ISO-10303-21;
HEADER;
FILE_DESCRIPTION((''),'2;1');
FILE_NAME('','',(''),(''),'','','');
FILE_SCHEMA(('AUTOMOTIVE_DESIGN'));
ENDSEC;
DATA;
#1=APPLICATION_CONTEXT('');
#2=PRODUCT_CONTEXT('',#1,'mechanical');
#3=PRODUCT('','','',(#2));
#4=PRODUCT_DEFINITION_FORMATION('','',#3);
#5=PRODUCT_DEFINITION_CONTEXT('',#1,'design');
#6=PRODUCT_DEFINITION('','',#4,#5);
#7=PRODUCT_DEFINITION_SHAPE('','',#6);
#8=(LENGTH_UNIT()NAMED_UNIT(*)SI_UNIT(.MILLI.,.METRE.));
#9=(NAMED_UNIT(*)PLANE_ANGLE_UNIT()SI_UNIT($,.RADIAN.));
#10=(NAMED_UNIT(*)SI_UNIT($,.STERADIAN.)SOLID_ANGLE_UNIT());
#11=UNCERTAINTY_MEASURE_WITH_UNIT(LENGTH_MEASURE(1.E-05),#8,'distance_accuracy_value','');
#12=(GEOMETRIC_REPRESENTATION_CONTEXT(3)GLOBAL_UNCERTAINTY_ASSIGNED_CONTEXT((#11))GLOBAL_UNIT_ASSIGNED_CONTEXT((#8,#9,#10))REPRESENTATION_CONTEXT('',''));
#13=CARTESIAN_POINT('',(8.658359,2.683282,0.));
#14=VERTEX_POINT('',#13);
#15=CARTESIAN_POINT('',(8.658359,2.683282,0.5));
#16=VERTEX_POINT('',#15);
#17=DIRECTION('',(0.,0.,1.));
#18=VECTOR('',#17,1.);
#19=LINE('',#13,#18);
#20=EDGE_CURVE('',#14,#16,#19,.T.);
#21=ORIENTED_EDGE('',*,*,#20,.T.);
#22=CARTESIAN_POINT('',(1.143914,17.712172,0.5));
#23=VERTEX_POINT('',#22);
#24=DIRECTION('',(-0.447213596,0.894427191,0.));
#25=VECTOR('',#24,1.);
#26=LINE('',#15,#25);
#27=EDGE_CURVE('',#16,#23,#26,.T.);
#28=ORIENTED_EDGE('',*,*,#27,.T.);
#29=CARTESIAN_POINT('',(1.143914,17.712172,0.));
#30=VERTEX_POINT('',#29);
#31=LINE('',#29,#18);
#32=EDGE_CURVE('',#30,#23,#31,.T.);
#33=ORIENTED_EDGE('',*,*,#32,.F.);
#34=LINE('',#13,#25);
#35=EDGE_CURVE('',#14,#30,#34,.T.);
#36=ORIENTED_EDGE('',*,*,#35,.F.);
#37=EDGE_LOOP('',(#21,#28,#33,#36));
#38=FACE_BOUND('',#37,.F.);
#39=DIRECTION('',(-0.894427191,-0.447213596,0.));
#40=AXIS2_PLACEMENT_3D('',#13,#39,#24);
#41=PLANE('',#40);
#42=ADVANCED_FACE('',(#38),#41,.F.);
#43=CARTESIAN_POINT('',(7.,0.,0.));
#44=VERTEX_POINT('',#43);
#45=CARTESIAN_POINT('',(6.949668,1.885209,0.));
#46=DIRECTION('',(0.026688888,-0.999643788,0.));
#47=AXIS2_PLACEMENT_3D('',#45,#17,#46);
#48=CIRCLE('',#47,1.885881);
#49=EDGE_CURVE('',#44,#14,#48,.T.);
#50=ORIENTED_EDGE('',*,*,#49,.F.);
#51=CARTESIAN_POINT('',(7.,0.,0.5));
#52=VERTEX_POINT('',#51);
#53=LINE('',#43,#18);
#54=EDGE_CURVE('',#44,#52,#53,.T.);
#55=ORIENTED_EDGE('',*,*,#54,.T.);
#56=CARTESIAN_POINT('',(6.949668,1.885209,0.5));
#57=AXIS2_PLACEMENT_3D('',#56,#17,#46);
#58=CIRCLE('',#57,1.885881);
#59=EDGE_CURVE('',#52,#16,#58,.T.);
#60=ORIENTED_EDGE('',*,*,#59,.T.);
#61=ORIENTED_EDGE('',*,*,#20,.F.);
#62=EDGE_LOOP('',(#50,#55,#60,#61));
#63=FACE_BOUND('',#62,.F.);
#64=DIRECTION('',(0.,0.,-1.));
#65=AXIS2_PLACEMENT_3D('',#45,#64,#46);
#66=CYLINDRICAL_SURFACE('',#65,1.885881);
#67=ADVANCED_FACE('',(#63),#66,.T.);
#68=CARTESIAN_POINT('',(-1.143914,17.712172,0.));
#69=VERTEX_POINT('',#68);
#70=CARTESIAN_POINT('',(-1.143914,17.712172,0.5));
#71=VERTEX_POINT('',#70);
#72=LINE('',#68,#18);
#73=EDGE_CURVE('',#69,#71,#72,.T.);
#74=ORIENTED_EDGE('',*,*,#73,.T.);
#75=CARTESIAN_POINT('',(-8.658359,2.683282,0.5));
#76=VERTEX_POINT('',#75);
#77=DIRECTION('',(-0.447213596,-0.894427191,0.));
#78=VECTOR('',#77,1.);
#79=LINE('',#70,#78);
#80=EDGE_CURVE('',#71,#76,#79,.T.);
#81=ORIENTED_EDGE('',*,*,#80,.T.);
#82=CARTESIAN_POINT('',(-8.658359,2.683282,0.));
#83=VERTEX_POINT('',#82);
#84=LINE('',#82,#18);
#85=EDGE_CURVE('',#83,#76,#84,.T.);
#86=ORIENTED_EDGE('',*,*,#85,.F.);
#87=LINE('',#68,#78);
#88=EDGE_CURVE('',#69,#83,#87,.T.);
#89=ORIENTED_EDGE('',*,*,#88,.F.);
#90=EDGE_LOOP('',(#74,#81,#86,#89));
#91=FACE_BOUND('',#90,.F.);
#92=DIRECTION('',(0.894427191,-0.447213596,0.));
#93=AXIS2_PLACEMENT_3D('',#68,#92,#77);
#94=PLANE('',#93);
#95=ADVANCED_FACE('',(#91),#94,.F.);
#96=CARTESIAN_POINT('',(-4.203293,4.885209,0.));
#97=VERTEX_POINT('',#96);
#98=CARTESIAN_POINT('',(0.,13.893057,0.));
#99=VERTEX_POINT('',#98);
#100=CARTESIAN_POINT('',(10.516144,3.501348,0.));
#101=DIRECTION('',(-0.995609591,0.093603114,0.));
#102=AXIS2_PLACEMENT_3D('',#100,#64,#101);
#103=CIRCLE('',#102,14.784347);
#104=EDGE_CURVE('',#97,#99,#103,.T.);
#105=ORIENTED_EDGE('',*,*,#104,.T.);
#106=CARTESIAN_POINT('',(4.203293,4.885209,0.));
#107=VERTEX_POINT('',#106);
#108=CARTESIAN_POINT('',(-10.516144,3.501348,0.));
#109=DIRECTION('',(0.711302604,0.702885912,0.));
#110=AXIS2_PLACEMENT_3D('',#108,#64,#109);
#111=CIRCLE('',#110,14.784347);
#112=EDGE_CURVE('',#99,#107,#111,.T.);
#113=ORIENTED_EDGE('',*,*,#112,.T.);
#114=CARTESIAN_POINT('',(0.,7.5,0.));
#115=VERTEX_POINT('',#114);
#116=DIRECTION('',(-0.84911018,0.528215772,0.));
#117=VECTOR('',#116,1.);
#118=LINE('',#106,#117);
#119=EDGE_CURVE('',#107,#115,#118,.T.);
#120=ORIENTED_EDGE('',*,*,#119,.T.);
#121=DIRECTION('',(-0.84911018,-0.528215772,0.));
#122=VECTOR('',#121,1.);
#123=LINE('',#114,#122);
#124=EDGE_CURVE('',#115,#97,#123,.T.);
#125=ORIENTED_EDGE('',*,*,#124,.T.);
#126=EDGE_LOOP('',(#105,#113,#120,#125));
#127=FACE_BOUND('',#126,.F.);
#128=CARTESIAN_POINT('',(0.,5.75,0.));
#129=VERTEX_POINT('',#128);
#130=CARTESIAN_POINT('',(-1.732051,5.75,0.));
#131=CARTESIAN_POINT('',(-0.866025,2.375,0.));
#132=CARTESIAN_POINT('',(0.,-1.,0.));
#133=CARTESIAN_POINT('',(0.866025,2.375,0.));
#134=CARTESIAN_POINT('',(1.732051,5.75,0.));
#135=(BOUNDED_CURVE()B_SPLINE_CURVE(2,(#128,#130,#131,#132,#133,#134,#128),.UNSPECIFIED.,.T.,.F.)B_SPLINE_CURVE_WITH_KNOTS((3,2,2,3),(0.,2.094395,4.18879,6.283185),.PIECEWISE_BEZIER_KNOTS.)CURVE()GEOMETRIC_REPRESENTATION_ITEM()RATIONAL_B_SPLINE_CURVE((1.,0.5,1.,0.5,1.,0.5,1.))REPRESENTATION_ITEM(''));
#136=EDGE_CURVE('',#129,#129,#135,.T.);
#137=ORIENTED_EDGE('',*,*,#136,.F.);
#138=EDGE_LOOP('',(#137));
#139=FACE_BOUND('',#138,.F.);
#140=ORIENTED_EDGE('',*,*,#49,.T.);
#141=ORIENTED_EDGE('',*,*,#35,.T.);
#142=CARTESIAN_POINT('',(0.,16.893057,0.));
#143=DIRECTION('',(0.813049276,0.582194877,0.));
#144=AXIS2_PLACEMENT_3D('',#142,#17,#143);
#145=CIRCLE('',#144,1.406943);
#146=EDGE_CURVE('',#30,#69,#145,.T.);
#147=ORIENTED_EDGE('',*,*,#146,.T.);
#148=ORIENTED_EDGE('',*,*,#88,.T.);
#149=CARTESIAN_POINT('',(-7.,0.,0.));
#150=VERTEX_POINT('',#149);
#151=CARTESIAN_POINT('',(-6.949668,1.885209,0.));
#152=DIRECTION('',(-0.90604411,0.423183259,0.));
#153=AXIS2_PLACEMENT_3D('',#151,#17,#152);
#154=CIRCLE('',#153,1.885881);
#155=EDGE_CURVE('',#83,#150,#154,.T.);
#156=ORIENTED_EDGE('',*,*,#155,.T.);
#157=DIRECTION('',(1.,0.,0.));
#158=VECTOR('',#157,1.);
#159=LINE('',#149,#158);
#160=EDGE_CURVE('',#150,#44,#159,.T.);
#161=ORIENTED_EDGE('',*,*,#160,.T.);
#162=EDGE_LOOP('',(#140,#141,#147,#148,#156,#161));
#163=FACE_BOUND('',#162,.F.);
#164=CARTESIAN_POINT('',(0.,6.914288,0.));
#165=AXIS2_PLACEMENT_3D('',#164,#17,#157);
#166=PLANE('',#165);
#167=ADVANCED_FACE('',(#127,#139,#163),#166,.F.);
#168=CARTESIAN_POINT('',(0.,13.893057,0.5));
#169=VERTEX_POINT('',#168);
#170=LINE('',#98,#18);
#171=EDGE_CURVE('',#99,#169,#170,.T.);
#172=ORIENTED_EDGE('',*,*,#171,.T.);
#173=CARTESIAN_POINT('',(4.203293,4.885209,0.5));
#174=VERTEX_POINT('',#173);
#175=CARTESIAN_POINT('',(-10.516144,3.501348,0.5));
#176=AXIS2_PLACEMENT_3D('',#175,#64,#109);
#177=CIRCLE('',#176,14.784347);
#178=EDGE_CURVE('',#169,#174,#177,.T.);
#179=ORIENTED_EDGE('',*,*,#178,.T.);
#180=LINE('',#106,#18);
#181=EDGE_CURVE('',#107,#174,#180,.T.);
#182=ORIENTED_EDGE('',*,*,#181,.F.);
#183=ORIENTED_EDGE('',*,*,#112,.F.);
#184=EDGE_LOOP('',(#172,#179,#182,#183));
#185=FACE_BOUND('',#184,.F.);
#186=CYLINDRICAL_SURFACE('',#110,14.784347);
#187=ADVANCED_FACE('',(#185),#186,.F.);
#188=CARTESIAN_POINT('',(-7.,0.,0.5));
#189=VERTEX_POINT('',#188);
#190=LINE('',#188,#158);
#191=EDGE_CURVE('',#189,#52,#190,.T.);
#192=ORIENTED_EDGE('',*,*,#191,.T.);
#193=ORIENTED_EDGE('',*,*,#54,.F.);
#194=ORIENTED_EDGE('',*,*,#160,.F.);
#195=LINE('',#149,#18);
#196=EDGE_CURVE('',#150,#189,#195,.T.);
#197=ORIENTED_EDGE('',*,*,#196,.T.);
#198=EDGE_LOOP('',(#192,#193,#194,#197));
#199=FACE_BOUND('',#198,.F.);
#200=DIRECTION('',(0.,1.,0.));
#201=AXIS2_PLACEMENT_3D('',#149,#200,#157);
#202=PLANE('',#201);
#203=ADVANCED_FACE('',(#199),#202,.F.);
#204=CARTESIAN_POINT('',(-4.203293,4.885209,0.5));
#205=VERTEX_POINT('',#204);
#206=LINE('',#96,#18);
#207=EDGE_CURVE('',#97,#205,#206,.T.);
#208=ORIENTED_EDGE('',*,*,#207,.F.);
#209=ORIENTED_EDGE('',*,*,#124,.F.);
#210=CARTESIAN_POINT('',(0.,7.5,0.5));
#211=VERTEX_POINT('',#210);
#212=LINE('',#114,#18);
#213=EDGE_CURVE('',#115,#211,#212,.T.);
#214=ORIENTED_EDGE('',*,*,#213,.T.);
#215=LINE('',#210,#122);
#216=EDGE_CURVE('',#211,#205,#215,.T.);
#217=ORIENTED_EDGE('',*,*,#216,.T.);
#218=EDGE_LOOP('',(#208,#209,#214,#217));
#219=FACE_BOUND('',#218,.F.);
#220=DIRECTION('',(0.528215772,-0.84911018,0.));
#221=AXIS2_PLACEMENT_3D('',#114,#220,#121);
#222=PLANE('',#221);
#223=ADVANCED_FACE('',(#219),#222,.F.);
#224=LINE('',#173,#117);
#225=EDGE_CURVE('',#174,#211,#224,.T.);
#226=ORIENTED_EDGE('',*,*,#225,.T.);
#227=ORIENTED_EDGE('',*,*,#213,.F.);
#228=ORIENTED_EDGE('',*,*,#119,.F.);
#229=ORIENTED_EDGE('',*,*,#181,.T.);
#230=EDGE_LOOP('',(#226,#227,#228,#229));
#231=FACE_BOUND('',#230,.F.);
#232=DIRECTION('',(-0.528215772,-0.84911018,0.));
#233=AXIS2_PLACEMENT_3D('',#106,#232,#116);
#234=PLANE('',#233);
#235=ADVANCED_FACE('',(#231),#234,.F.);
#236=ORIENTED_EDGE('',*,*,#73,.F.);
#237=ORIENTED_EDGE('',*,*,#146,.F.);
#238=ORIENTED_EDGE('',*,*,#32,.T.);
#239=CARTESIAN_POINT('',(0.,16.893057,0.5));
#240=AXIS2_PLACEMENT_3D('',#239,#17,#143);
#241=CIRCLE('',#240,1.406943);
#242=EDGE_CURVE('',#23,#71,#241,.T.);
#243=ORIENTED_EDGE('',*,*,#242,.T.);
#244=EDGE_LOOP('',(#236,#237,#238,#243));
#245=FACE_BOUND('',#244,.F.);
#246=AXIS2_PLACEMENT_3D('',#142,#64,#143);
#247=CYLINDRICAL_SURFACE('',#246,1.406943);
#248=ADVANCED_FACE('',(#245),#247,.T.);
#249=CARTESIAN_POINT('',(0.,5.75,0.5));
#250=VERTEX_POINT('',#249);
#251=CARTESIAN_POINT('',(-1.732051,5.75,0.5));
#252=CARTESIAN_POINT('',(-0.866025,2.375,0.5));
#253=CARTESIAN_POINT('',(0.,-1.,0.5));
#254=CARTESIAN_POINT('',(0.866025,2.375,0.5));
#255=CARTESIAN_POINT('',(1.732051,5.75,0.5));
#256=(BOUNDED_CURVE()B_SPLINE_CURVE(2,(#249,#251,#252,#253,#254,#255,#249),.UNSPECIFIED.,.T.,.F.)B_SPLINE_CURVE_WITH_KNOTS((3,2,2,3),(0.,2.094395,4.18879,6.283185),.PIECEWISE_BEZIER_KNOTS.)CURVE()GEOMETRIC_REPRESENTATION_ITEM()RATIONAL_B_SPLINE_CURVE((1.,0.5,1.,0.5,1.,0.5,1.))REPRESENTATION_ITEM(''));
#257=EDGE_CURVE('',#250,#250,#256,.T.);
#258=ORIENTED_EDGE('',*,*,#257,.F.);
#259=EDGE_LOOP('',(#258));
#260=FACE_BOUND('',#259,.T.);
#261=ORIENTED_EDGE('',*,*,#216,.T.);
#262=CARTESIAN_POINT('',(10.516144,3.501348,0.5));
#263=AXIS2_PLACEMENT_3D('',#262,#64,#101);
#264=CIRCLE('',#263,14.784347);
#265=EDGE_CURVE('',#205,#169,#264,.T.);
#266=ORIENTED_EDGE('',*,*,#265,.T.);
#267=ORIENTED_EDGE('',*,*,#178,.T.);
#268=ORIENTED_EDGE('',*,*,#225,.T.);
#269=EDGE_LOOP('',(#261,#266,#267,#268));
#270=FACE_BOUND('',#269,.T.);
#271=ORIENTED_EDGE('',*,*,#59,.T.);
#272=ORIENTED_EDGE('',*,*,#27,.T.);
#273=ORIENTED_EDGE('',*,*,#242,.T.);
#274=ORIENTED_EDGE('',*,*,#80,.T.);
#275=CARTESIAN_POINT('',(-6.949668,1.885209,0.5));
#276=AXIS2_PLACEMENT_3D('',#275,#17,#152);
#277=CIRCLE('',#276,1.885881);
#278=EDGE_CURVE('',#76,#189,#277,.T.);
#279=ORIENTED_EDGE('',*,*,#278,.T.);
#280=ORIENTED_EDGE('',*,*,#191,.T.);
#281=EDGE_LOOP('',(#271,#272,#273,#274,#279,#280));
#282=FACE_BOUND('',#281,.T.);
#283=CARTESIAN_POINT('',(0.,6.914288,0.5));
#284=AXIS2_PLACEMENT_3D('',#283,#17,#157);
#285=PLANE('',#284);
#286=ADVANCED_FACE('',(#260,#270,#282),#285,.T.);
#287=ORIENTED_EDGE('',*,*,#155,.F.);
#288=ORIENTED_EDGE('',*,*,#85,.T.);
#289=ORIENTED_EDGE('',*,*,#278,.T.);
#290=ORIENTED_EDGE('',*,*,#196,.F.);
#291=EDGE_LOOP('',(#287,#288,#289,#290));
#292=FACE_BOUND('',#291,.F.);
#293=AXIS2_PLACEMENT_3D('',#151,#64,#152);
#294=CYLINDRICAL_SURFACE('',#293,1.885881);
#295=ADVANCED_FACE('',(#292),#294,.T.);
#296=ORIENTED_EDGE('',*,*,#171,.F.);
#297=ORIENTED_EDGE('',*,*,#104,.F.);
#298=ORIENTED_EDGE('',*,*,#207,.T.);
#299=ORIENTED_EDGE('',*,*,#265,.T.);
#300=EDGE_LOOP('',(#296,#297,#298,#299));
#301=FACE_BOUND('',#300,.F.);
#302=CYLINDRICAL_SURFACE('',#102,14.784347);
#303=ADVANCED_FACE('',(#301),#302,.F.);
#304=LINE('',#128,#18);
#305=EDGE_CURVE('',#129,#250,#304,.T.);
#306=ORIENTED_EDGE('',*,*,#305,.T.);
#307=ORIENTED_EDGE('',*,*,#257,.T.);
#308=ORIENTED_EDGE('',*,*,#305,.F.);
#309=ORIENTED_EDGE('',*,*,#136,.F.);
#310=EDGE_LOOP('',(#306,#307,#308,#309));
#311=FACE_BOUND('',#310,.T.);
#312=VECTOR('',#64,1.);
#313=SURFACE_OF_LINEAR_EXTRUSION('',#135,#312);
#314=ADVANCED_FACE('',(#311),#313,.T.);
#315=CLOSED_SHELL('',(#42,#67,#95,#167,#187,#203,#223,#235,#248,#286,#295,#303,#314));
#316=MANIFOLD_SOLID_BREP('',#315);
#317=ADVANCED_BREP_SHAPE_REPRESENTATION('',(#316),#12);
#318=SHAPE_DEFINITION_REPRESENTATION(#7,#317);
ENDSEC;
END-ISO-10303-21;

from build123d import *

# Parameters (mm, degrees)
F1_DEPTH = 0.5


with BuildPart() as f1:
    # F0 (on Top) → F1 (new body)
    with BuildSketch(Plane.XY):
        with BuildLine():
            Line((8.658359, 2.683282), (1.341641, 17.316718))
            Line((1.341641, 17.316718), (1.143914, 17.712172))
            ThreePointArc((1.143914, 17.712172), (0, 18.3), (-1.143914, 17.712172))
            Line((-1.143914, 17.712172), (-1.341641, 17.316718))
            Line((-1.341641, 17.316718), (-8.658359, 2.683282))
            ThreePointArc((-8.658359, 2.683282), (-8.553894, 0.893743), (-7, 0))
            Line((-7, 0), (7, 0))
            ThreePointArc((7, 0), (8.553894, 0.893743), (8.658359, 2.683282))
        make_face()
        with BuildLine():
            add(Edge.make_bspline(
                [(0, 5.75), (-1.732051, 5.75), (-0.866025, 2.375), (0, -1), (0.866025, 2.375), (1.732051, 5.75), (0, 5.75)],
                knots=[0, 0, 0, 2.094395, 2.094395, 4.18879, 4.18879, 6.283185, 6.283185, 6.283185], degree=2, weights=[1, 0.5, 1, 0.5, 1, 0.5, 1]))
        make_face(mode=Mode.SUBTRACT)
        with BuildLine():
            ThreePointArc((0, 13.893057), (2.881392, 9.752982), (4.203293, 4.885209))
            Line((4.203293, 4.885209), (0, 7.5))
            Line((0, 7.5), (-4.203293, 4.885209))
            ThreePointArc((-4.203293, 4.885209), (-2.881392, 9.752982), (0, 13.893057))
        make_face(mode=Mode.SUBTRACT)
    extrude(amount=F1_DEPTH)


solid = f1.part
